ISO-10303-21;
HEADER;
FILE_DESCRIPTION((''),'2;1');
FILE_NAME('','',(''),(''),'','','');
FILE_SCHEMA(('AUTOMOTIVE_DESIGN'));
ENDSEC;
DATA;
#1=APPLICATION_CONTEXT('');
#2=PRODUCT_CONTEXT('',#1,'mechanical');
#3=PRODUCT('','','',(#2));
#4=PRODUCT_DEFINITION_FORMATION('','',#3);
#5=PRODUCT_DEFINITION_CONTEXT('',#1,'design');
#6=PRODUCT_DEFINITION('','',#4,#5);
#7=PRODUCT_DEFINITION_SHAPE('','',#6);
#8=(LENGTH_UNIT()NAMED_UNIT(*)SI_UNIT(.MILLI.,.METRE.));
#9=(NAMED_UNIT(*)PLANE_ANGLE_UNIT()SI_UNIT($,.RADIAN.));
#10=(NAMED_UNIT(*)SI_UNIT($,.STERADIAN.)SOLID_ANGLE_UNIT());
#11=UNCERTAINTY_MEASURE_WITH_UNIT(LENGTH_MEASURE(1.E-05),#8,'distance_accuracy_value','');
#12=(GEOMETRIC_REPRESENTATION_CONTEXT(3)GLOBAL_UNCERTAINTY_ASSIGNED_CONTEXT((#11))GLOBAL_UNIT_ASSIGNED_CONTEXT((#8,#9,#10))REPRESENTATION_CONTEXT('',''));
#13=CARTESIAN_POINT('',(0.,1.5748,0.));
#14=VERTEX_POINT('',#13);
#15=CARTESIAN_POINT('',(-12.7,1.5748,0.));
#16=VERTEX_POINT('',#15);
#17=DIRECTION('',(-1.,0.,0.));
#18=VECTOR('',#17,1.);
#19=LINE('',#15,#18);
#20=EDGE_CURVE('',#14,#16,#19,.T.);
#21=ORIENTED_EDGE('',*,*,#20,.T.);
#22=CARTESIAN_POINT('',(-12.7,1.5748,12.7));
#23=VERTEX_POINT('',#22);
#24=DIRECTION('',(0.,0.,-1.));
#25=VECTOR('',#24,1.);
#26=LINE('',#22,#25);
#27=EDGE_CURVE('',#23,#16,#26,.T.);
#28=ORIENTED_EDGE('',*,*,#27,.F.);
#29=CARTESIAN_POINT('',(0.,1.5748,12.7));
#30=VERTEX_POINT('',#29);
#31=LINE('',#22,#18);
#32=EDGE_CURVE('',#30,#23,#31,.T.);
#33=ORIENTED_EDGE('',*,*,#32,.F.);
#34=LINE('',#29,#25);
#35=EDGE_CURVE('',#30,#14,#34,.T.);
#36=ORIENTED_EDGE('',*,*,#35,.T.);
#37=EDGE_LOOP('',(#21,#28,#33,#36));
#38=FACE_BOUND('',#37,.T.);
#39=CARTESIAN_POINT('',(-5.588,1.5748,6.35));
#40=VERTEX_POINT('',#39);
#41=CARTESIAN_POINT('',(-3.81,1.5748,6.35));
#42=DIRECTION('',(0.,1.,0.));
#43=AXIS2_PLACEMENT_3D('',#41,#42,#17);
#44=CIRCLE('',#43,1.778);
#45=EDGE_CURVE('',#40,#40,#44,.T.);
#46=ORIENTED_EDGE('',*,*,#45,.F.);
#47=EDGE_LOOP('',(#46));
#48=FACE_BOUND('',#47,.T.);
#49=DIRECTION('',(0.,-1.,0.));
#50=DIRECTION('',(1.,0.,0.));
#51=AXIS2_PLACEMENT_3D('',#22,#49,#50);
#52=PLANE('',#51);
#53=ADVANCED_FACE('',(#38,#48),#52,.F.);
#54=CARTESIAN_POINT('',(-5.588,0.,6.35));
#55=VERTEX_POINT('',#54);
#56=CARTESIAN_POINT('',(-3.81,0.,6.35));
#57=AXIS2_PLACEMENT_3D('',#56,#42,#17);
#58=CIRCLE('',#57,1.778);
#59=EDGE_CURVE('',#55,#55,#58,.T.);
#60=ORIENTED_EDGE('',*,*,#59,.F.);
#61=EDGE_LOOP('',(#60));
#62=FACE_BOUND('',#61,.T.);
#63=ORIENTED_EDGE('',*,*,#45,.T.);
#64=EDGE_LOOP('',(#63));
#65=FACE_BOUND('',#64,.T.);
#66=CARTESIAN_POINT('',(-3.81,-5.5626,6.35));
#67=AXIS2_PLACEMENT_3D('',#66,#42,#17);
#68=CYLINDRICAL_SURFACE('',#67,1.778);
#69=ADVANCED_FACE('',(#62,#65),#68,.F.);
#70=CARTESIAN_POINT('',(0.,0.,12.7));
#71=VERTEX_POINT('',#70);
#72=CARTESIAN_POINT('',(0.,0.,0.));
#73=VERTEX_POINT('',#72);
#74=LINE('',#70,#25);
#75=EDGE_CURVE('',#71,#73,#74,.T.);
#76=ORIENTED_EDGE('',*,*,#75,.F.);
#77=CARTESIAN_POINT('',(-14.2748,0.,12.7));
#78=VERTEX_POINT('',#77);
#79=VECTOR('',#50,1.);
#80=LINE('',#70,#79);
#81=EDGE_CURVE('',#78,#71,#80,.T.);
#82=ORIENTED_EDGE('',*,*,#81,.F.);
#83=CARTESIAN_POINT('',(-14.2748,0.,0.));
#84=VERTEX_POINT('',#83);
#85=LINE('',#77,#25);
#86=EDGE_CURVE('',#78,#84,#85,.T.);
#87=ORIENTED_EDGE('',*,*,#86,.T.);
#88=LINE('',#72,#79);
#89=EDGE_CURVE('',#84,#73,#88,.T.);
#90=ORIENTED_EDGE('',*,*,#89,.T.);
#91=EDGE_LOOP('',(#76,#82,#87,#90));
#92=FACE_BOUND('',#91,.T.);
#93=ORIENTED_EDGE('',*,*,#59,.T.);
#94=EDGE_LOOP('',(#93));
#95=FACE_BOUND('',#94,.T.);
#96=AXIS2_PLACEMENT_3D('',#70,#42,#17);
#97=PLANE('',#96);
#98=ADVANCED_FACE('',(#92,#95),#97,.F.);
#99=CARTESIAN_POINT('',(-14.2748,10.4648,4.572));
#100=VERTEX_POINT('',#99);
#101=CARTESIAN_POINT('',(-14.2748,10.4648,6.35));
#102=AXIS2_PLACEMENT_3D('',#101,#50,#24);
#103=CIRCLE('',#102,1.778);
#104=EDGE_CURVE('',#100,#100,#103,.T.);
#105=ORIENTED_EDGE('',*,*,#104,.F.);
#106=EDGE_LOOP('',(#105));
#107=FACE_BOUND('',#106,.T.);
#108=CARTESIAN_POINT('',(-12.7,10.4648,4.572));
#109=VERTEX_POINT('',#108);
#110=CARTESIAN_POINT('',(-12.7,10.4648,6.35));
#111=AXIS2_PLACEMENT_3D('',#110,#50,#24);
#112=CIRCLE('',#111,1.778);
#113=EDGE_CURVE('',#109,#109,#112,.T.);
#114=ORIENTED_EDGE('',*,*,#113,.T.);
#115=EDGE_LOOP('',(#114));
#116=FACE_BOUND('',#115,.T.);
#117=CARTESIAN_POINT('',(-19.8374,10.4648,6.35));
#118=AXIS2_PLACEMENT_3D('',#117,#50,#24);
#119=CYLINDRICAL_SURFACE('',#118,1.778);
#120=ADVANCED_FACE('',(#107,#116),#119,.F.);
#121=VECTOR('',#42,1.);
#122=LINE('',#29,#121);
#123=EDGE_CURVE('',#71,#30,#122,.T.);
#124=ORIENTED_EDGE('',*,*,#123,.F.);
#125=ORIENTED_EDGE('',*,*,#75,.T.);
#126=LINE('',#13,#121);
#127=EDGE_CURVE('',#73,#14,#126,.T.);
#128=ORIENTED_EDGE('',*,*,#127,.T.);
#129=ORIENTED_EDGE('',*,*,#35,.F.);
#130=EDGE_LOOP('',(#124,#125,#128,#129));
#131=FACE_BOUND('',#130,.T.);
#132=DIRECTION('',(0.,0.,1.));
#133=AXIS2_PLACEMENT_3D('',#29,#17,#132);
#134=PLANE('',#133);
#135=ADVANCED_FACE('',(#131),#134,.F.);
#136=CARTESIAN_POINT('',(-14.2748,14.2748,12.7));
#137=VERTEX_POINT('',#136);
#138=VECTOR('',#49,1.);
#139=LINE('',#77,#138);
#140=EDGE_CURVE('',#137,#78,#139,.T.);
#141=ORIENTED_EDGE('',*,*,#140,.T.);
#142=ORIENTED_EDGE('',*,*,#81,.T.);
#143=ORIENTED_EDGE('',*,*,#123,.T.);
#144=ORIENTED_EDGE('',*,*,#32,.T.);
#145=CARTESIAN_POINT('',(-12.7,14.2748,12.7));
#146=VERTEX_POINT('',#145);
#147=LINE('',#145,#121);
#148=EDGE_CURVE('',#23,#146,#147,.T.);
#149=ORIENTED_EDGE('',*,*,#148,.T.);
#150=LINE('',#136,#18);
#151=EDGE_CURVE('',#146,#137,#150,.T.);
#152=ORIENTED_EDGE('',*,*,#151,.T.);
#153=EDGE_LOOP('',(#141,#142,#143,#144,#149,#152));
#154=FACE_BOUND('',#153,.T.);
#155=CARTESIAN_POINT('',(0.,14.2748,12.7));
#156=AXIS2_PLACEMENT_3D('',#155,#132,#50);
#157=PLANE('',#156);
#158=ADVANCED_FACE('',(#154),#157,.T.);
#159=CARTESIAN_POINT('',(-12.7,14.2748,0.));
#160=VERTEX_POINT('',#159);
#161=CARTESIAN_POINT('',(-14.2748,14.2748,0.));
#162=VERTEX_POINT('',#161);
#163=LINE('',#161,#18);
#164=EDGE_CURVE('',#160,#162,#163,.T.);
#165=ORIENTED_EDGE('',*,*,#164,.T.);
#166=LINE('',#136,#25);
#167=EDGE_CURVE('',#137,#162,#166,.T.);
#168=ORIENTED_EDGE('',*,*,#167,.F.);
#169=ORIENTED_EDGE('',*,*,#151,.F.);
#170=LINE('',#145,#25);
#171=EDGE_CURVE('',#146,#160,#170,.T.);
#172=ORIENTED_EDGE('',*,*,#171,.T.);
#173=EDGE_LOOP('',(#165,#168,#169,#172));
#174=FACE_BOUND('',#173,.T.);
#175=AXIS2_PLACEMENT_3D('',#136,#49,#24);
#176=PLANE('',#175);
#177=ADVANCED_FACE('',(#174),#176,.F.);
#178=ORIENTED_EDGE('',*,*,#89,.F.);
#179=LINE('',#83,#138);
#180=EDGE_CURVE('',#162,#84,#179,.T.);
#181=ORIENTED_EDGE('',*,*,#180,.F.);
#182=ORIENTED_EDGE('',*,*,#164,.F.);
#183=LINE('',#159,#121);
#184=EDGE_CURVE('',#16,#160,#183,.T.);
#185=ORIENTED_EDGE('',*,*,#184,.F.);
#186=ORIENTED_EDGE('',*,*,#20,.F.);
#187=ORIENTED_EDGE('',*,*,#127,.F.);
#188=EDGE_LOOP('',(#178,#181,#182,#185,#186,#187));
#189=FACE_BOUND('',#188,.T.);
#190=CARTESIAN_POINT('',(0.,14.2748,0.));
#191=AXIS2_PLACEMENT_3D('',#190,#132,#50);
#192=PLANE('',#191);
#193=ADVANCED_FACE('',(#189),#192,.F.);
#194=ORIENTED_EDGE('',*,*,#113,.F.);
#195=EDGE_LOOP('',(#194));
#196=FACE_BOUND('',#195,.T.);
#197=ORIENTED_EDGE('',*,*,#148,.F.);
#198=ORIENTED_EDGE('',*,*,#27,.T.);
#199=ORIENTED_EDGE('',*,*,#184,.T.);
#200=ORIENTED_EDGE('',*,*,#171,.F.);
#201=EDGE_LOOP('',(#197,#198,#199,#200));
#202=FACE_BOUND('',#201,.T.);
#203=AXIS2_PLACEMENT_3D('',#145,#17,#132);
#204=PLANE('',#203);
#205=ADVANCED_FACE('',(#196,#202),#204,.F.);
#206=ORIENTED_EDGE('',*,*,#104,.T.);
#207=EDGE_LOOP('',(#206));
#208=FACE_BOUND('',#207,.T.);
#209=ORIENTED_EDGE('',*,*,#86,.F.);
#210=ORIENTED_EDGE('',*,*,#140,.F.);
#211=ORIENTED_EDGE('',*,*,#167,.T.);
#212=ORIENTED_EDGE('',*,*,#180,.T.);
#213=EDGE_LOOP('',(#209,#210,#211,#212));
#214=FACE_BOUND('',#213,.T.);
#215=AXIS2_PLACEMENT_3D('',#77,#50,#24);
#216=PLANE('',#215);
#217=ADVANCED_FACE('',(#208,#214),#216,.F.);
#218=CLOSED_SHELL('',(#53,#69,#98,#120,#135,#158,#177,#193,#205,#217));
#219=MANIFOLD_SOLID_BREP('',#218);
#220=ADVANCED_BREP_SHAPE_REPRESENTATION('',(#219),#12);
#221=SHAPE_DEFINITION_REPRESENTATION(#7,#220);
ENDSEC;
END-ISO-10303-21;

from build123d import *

# Parameters (mm, degrees)
EXTRUDE1_DEPTH     = 12.7
SKETCH2_R          = 1.778
CUT_EXTRUDE1_DEPTH = 7.1374
SKETCH4_R          = 1.778
CUT_EXTRUDE2_DEPTH = 7.1374


with BuildPart() as part:
    # Sketch1 → Extrude1 (new body)
    with BuildSketch(Plane.XY):
        Polygon((0, 0), (-14.2748, 0), (-14.2748, 14.2748), (-12.7, 14.2748), (-12.7, 1.5748), (0, 1.5748), align=None)
    extrude(amount=EXTRUDE1_DEPTH)

    # Sketch2 → Cut-Extrude1 (cut)
    with BuildSketch(Plane(origin=(-12.7, 0, 0), x_dir=(0, 0, -1), z_dir=(1, 0, 0))):
        with Locations((-6.35, 10.4648)):
            Circle(SKETCH2_R)
    extrude(amount=-CUT_EXTRUDE1_DEPTH, mode=Mode.SUBTRACT)

    # Sketch4 → Cut-Extrude2 (cut)
    with BuildSketch(Plane(origin=(0, 1.5748, 0), x_dir=(-1, 0, 0), z_dir=(0, 1, 0))):
        with Locations((3.81, 6.35)):
            Circle(SKETCH4_R)
    extrude(amount=-CUT_EXTRUDE2_DEPTH, mode=Mode.SUBTRACT)


solid = part.part
